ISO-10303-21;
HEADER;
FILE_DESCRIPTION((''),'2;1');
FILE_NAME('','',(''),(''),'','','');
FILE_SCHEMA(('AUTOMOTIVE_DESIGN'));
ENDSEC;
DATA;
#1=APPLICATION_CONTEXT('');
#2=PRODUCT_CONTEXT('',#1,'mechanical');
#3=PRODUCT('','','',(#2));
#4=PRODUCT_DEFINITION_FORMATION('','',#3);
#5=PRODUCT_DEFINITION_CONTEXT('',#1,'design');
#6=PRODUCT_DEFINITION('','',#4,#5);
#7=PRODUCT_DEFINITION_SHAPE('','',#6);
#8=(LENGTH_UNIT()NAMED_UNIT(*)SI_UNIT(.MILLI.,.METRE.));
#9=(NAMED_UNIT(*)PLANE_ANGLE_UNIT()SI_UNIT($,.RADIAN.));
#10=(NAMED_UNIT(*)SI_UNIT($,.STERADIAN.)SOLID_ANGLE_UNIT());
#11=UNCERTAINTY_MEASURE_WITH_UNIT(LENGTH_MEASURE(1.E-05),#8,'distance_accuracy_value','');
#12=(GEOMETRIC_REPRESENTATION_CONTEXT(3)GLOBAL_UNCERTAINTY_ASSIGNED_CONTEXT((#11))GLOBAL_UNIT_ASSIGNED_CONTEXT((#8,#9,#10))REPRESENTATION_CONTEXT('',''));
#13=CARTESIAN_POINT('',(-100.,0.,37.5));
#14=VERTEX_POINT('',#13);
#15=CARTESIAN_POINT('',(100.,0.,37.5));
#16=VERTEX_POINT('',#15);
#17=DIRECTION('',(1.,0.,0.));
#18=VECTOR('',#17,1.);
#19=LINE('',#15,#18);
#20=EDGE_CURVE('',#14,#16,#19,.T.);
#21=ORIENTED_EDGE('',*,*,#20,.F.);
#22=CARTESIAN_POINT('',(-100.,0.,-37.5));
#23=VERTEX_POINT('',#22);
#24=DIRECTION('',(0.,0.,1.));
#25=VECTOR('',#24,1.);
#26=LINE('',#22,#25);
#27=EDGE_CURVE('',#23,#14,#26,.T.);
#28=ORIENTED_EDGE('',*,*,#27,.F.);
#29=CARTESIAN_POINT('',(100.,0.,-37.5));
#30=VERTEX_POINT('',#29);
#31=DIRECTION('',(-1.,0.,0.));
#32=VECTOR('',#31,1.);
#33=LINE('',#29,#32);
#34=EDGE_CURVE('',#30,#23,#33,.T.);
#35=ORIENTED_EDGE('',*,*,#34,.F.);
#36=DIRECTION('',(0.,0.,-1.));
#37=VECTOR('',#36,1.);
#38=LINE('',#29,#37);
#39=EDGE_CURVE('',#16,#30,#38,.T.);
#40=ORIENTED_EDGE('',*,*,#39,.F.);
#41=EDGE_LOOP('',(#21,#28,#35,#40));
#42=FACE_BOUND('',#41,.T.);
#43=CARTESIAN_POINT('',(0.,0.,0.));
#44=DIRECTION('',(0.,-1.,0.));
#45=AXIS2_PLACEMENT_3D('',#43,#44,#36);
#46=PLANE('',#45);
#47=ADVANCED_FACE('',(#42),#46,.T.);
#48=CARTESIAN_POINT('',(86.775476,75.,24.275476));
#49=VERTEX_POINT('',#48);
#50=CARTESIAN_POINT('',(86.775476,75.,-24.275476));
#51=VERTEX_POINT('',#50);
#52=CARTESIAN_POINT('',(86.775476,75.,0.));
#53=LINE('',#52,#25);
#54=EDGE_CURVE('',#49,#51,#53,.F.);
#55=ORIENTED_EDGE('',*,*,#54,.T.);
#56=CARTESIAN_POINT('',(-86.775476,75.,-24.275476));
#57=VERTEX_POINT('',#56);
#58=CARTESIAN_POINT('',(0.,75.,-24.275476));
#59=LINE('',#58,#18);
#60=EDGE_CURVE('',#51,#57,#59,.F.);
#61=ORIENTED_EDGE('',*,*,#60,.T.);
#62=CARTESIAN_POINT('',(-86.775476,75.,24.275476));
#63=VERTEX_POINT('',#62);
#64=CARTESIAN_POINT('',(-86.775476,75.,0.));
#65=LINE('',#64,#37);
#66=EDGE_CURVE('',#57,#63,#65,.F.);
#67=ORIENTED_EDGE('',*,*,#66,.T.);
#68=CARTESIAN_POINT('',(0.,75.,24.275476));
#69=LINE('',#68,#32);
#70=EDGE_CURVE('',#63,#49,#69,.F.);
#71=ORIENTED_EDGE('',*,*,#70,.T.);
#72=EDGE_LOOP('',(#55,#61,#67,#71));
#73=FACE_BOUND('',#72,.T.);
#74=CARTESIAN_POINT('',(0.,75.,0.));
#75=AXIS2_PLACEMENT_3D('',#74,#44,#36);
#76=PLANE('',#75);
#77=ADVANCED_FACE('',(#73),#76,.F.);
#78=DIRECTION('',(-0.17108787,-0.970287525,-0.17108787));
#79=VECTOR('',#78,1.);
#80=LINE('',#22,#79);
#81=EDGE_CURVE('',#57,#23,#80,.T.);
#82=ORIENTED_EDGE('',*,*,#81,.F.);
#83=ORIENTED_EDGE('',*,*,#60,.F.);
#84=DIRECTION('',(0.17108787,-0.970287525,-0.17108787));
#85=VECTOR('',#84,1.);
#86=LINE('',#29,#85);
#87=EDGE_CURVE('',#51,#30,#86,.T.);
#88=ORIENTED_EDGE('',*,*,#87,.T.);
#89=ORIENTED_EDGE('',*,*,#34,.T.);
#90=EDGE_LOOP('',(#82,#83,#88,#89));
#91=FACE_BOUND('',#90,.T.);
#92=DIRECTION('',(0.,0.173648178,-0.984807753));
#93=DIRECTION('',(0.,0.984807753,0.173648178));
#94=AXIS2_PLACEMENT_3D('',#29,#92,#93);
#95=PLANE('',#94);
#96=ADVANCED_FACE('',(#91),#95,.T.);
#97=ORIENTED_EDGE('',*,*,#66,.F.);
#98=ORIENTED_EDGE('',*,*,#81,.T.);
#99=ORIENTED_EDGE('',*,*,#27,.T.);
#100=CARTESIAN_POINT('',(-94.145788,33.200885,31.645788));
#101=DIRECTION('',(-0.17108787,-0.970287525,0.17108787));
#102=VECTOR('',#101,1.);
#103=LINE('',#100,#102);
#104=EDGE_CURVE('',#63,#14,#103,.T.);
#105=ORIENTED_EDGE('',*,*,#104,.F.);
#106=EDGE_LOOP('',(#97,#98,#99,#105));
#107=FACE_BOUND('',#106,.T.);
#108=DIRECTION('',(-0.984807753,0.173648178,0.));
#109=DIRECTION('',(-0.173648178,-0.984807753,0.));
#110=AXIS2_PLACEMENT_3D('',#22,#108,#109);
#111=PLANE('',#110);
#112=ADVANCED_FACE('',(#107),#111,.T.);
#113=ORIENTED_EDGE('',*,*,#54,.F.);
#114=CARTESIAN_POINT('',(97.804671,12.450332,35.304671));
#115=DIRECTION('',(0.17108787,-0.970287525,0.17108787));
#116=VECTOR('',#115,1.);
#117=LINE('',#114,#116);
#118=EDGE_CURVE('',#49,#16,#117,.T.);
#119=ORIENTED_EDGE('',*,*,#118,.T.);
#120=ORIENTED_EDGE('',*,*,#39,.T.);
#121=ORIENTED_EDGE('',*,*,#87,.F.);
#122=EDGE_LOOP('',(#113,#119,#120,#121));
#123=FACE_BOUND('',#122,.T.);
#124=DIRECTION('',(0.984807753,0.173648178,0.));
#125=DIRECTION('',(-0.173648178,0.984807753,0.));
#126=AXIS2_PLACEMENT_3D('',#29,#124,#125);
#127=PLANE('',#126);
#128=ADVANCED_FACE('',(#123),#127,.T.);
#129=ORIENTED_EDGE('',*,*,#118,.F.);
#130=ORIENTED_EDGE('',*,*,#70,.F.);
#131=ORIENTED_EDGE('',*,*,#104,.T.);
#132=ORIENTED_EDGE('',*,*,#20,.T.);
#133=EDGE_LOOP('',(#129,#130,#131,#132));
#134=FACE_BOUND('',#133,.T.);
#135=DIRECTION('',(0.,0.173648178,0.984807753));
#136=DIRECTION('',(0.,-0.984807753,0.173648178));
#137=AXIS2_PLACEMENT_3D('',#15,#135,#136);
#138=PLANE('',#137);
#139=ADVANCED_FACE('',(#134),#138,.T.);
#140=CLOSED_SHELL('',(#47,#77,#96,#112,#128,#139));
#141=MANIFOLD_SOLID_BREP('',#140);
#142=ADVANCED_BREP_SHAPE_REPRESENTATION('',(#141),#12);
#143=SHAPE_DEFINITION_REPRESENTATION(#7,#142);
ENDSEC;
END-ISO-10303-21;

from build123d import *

# Parameters (mm, degrees)
SKETCH1_W           = 200
SKETCH1_H           = 75
BOSS_EXTRUDE1_DEPTH = 75
BOSS_EXTRUDE1_TAPER = 10


with BuildPart() as part:
    # Sketch1 → Boss-Extrude1 (new body)
    with BuildSketch(Plane(origin=(0, 0, 0), x_dir=(1, 0, 0), z_dir=(0, 1, 0))):
        Rectangle(SKETCH1_W, SKETCH1_H)
    extrude(amount=BOSS_EXTRUDE1_DEPTH, taper=BOSS_EXTRUDE1_TAPER)


solid = part.part
